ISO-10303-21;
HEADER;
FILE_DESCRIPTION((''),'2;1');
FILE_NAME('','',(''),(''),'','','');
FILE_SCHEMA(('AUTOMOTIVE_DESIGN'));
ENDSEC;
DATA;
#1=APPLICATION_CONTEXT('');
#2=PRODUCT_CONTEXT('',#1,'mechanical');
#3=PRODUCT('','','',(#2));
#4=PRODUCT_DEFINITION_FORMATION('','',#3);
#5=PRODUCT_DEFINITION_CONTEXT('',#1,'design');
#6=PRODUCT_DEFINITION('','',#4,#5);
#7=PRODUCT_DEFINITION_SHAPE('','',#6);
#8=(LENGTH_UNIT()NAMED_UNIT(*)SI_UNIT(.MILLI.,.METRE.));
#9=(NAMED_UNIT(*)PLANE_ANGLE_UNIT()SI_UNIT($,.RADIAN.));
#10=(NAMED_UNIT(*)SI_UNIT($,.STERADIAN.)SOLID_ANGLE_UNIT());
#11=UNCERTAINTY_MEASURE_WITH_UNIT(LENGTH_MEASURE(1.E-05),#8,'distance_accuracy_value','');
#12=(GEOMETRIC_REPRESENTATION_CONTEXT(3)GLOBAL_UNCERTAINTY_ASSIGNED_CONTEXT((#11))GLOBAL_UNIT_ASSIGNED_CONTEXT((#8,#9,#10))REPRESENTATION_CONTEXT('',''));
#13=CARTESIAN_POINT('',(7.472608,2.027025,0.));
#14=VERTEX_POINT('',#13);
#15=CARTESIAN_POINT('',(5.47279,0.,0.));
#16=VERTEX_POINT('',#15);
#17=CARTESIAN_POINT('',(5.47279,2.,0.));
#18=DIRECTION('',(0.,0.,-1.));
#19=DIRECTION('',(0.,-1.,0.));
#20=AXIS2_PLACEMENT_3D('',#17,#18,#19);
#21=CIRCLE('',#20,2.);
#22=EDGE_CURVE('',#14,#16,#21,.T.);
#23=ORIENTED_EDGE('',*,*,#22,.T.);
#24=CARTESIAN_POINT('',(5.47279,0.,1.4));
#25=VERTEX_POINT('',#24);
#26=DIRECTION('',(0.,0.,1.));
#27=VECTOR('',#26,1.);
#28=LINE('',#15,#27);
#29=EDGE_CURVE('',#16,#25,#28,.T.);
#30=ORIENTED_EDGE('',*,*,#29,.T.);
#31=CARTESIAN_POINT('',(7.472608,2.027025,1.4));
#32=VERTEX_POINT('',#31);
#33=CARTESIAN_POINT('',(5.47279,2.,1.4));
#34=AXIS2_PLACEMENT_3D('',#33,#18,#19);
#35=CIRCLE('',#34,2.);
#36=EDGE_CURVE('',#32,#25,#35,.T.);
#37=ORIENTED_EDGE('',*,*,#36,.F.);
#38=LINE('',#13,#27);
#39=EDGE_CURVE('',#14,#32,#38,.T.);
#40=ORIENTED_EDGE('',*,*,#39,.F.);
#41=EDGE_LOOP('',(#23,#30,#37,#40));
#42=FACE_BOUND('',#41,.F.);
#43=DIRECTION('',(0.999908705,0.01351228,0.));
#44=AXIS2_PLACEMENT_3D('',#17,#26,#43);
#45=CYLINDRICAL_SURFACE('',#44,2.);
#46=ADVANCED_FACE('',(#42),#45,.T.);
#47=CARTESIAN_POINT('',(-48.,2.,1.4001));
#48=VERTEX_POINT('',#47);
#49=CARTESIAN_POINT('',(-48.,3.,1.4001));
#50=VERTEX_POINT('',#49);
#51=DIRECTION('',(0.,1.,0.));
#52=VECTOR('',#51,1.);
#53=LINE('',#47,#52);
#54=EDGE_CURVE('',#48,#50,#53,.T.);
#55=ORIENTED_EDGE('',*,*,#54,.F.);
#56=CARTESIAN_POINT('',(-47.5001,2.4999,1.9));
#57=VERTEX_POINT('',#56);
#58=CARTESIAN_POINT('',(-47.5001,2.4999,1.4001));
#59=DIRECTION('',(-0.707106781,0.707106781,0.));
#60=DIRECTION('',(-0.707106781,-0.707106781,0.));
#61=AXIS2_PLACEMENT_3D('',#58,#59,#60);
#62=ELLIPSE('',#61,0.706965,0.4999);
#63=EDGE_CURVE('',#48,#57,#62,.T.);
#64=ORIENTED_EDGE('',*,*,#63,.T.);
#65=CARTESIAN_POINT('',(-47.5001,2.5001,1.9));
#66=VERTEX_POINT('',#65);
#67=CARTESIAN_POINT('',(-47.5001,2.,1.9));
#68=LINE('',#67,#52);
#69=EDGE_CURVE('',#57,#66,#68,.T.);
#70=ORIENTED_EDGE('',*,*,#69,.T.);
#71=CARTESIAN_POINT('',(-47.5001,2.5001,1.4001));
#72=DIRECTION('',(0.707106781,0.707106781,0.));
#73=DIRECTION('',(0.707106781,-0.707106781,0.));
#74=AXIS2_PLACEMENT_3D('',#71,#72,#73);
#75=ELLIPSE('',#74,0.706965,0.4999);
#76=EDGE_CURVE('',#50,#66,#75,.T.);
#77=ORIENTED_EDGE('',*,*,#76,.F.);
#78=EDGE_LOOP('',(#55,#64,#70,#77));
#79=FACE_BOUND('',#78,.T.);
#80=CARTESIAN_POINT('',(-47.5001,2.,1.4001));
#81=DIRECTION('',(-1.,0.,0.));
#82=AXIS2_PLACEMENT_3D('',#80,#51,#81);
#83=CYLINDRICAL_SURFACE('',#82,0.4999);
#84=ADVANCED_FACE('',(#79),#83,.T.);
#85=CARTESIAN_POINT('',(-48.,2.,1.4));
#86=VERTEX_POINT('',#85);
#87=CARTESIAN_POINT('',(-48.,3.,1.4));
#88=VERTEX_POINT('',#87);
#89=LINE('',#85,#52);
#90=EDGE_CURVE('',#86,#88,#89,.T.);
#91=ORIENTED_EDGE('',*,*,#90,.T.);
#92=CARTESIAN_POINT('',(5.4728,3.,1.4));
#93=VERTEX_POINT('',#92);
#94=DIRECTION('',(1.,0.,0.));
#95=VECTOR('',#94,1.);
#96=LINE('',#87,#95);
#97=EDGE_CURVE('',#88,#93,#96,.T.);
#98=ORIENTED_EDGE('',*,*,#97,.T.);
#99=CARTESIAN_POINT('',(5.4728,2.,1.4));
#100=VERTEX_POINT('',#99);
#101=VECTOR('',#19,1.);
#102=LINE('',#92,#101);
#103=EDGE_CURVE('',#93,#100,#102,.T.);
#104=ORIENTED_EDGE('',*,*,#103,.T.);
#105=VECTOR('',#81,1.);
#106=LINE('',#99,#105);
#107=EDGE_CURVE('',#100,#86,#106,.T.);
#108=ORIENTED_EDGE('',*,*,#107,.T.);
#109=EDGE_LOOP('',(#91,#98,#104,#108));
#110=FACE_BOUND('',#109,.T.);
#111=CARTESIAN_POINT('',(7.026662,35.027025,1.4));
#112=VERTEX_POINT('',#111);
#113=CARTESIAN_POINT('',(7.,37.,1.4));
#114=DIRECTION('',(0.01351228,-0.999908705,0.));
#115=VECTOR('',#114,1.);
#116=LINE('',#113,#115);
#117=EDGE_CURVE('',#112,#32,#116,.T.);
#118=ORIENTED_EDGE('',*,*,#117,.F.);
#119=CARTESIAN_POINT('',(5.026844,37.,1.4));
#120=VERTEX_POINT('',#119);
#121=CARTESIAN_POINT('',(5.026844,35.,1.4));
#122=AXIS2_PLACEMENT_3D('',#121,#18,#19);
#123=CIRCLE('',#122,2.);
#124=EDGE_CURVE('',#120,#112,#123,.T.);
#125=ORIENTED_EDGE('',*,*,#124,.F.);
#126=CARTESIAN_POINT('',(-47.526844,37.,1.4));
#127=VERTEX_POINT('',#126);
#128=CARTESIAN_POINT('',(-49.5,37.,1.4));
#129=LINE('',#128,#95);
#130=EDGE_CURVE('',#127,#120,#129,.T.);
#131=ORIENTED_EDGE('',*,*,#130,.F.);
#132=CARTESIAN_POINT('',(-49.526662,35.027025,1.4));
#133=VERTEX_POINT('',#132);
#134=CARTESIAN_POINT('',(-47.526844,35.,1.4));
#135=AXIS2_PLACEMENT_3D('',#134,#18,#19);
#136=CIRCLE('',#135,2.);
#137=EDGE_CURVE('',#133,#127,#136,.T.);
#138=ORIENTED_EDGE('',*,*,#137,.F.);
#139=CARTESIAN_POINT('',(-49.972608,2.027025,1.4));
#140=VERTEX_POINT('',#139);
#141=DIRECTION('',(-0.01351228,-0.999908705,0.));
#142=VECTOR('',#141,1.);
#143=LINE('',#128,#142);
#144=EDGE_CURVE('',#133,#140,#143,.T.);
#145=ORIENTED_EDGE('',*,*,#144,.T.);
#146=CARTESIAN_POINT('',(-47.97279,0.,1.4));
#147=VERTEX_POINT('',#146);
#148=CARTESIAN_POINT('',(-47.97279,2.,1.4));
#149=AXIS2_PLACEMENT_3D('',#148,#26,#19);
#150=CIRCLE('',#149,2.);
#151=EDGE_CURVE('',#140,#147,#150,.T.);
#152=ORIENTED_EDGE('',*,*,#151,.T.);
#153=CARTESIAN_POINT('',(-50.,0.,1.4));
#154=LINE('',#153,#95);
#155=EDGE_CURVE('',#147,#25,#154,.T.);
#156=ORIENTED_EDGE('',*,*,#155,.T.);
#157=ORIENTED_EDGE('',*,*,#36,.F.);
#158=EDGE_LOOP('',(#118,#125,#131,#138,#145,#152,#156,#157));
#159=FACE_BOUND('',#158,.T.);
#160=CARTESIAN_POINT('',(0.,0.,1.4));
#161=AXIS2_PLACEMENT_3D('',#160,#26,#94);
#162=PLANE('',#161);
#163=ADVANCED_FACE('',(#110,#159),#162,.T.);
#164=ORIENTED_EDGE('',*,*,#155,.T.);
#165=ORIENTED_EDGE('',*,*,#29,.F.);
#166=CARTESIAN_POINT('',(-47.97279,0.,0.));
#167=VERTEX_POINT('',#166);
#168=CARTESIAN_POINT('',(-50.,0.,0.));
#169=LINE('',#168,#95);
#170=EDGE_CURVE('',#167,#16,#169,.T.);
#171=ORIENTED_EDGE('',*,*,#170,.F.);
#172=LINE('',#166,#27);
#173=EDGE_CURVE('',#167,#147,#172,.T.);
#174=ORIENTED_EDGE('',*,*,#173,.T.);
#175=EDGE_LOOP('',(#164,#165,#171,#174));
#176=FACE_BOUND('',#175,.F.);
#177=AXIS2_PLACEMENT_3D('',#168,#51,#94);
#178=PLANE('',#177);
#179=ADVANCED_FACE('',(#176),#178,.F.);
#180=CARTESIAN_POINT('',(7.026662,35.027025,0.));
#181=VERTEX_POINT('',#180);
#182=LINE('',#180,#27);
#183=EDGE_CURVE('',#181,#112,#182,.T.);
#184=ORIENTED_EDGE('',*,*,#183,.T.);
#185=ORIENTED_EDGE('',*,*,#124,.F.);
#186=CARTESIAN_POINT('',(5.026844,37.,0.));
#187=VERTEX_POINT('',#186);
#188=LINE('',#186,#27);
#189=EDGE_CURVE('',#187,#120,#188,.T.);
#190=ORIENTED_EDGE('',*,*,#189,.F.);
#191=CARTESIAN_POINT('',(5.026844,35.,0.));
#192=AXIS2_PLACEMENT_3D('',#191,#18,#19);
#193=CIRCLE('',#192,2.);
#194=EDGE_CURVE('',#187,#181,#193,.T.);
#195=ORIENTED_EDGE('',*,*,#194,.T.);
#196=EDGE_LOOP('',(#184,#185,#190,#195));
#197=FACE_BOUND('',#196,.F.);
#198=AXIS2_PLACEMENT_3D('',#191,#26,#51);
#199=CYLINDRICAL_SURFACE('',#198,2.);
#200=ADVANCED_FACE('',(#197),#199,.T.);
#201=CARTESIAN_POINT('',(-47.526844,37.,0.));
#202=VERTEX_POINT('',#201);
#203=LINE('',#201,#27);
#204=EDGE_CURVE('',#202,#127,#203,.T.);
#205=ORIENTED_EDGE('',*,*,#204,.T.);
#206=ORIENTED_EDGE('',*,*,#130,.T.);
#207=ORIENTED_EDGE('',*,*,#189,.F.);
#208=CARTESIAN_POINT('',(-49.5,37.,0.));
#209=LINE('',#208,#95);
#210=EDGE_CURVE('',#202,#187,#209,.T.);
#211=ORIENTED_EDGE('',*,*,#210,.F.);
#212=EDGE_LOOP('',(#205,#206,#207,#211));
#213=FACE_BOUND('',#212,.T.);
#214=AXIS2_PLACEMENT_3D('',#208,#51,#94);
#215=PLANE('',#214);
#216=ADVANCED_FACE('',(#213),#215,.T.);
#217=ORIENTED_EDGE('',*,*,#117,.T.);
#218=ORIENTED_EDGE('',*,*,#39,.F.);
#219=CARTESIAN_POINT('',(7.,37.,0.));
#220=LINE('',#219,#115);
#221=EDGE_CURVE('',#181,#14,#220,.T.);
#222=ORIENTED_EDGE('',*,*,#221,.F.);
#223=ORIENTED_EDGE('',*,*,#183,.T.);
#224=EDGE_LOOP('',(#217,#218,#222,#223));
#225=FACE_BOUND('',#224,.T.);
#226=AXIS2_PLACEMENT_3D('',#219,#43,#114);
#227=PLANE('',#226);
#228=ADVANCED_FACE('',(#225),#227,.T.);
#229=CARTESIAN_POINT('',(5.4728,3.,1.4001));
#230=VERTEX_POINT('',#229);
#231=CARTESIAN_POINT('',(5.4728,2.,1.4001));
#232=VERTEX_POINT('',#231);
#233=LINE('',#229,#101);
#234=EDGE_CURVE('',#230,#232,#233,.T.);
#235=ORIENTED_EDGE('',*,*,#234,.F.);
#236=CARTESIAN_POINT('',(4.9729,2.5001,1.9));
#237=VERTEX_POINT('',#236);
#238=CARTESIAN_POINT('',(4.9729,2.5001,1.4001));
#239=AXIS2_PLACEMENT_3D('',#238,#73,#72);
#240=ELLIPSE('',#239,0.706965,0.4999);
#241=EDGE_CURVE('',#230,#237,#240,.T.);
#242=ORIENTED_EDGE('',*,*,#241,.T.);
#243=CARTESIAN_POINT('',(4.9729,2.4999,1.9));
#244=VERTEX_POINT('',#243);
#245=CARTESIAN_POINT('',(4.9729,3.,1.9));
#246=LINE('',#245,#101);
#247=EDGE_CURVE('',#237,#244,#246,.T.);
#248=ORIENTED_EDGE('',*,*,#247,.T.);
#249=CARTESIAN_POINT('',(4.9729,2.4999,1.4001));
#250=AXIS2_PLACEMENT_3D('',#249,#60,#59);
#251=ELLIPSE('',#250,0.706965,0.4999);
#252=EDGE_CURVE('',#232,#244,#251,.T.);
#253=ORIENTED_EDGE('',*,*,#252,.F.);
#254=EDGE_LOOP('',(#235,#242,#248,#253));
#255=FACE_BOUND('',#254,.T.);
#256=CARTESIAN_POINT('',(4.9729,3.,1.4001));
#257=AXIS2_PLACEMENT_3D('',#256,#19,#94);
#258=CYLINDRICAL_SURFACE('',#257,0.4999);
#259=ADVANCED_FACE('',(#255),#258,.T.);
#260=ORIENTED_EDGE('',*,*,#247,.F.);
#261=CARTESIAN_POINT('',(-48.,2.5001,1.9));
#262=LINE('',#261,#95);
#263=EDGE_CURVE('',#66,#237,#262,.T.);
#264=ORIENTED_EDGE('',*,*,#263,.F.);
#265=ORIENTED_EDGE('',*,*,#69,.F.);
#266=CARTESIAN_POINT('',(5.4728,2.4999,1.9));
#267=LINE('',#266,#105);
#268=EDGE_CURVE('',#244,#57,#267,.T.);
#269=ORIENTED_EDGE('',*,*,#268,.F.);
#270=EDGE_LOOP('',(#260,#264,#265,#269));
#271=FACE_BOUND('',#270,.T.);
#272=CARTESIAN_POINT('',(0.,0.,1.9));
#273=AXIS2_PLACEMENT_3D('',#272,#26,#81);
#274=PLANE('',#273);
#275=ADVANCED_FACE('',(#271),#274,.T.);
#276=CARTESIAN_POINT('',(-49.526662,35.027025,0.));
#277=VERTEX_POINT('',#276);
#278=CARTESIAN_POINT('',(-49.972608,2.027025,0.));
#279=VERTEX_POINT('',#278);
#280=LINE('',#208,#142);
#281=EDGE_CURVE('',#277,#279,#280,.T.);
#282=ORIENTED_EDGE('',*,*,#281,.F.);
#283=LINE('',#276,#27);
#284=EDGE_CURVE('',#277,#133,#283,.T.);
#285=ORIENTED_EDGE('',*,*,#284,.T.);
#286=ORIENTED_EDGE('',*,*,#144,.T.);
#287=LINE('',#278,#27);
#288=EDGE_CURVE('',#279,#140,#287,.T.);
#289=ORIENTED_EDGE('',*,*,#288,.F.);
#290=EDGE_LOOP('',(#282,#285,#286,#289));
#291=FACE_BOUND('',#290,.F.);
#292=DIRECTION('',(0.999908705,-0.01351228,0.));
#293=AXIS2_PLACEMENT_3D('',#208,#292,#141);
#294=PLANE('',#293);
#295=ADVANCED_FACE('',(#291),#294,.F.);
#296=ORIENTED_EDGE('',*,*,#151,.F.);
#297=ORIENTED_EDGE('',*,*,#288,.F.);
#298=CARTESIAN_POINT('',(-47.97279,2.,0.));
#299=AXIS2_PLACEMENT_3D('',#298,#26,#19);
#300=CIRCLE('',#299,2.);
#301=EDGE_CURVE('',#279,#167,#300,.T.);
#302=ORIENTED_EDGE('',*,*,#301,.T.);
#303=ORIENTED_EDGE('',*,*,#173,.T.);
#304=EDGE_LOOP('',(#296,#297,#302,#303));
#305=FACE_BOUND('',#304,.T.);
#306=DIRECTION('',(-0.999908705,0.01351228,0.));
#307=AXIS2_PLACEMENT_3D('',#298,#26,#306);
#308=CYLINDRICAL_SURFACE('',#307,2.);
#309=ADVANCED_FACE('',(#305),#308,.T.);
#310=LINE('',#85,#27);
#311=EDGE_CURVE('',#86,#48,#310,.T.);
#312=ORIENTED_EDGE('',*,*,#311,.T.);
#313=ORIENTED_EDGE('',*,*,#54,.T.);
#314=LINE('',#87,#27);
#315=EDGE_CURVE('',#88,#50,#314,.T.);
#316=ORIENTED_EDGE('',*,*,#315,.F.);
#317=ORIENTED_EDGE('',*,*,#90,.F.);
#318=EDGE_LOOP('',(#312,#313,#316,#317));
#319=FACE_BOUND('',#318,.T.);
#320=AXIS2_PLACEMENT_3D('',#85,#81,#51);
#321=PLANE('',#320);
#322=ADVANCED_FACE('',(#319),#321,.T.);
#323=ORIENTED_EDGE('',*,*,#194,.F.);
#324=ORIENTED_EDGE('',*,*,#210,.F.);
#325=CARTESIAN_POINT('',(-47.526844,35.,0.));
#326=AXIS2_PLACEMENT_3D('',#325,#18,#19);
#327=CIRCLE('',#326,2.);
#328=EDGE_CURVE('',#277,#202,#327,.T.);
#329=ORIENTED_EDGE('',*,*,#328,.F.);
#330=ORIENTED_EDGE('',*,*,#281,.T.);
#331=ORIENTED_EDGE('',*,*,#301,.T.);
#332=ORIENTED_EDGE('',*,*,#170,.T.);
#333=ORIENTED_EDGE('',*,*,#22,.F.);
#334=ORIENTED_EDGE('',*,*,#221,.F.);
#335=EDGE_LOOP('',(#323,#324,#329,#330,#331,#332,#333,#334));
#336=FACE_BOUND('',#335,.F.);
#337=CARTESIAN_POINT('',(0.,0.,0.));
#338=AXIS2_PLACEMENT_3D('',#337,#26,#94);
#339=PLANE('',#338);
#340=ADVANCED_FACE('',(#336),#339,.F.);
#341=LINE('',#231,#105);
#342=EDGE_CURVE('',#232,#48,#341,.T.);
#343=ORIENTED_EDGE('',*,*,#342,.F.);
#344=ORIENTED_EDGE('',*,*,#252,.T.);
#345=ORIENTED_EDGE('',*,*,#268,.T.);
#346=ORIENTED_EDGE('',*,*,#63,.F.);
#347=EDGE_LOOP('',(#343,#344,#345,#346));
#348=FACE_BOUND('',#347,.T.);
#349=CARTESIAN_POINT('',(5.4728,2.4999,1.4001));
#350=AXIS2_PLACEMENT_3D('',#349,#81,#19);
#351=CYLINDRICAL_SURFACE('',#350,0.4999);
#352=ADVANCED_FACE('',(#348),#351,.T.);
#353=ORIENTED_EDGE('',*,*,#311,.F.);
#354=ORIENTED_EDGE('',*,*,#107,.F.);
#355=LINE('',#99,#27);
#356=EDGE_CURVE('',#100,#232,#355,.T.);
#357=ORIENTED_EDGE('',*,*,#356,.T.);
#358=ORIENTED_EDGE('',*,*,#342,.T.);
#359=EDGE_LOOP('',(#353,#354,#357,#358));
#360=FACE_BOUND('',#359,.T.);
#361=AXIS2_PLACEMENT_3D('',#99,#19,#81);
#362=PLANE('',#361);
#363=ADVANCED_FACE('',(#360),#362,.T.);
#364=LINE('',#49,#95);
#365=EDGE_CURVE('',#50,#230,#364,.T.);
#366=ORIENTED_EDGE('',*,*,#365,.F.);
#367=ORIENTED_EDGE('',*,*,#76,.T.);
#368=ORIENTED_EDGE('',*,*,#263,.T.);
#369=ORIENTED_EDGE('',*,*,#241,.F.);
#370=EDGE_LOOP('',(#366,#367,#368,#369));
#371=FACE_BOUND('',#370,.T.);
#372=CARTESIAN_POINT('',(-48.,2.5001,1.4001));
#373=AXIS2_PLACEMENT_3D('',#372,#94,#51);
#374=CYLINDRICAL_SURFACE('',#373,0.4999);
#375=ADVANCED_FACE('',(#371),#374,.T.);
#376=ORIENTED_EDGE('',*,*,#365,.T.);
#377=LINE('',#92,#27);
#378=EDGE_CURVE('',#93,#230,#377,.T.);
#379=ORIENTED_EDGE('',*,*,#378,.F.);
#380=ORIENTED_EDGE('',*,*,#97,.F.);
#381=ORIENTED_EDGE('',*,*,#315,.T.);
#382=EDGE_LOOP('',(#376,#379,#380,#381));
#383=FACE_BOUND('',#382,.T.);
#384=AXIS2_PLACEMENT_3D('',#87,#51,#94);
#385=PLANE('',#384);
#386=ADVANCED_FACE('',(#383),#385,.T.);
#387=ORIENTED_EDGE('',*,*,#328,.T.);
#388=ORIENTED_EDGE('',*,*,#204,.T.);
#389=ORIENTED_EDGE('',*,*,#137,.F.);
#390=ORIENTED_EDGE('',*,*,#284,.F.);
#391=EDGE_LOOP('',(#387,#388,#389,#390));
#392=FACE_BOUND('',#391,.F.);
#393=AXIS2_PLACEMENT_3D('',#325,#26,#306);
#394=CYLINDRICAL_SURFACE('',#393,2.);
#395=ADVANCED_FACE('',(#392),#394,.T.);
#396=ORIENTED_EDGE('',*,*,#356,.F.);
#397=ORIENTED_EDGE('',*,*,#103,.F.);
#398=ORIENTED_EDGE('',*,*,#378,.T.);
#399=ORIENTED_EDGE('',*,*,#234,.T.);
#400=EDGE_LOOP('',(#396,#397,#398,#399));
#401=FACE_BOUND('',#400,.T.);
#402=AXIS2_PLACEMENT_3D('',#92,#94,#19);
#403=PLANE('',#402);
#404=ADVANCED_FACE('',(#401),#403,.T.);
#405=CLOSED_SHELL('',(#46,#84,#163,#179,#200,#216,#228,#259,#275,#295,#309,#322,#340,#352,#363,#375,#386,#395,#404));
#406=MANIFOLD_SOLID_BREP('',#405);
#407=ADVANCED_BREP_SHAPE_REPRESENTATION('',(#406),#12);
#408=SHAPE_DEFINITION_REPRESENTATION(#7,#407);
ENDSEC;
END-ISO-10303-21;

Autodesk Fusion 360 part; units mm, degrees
sketch "Schizzo1" plane through (0, 0, 0) normal (0, 0, 1) x (1, 0, 0)
  line L0 (-50, 0) -> (7.5, 0)
  line L1 (-49.5, 37) -> (-50, 0)
  line L2 (7, 37) -> (7.5, 0)
  line L3 (-49.5, 37) -> (7, 37)
  dimension "d7" = 57.5
extrude "Estrusione1" add sketch "Schizzo1" along normal blind 1.4
fillet "Raccordo1" radius 2 4 edges at (-50, 0, 0.7) (-49.5, 37, 0.7) (7, 37, 0.7) (7.5, 0, 0.7)
sketch "Schizzo2" plane through (0, 0, 1.4) normal (0, 0, 1) x (-1, 0, 0)
  line L0 (47.9728, 0) -> (-5.4728, 0)
  line L1 (-7.4726, -2.027) -> (-7.0267, -35.027)
  line L2 (-5.0268, -37) -> (47.5268, -37)
  line L3 (49.5267, -35.027) -> (49.9726, -2.027)
  arc A0 (-5.4728, 0) -> (-7.4726, -2.027) centre (-5.4728, -2) ccw
  arc A1 (-7.0267, -35.027) -> (-5.0268, -37) centre (-5.0268, -35) ccw
  arc A2 (47.5268, -37) -> (49.5267, -35.027) centre (47.5268, -35) ccw
  arc A3 (49.9726, -2.027) -> (47.9728, 0) centre (47.9728, -2) ccw
  line L4 (-5.4728, -2) -> (48, -2)
  line L5 (48, -2) -> (48, -3)
  line L6 (48, -3) -> (-5.4728, -3)
  line L7 (-5.4728, -3) -> (-5.4728, -2)
extrude "Estrusione2" add sketch "Schizzo2" along normal blind 0.5 contours L4 L5 L6 L7
fillet "Raccordo2" radius 0.5 4 edges at (-21.2636, 3, 1.9) (-21.2636, 2, 1.9) (5.4728, 2.5, 1.9) (-48, 2.5, 1.9)
